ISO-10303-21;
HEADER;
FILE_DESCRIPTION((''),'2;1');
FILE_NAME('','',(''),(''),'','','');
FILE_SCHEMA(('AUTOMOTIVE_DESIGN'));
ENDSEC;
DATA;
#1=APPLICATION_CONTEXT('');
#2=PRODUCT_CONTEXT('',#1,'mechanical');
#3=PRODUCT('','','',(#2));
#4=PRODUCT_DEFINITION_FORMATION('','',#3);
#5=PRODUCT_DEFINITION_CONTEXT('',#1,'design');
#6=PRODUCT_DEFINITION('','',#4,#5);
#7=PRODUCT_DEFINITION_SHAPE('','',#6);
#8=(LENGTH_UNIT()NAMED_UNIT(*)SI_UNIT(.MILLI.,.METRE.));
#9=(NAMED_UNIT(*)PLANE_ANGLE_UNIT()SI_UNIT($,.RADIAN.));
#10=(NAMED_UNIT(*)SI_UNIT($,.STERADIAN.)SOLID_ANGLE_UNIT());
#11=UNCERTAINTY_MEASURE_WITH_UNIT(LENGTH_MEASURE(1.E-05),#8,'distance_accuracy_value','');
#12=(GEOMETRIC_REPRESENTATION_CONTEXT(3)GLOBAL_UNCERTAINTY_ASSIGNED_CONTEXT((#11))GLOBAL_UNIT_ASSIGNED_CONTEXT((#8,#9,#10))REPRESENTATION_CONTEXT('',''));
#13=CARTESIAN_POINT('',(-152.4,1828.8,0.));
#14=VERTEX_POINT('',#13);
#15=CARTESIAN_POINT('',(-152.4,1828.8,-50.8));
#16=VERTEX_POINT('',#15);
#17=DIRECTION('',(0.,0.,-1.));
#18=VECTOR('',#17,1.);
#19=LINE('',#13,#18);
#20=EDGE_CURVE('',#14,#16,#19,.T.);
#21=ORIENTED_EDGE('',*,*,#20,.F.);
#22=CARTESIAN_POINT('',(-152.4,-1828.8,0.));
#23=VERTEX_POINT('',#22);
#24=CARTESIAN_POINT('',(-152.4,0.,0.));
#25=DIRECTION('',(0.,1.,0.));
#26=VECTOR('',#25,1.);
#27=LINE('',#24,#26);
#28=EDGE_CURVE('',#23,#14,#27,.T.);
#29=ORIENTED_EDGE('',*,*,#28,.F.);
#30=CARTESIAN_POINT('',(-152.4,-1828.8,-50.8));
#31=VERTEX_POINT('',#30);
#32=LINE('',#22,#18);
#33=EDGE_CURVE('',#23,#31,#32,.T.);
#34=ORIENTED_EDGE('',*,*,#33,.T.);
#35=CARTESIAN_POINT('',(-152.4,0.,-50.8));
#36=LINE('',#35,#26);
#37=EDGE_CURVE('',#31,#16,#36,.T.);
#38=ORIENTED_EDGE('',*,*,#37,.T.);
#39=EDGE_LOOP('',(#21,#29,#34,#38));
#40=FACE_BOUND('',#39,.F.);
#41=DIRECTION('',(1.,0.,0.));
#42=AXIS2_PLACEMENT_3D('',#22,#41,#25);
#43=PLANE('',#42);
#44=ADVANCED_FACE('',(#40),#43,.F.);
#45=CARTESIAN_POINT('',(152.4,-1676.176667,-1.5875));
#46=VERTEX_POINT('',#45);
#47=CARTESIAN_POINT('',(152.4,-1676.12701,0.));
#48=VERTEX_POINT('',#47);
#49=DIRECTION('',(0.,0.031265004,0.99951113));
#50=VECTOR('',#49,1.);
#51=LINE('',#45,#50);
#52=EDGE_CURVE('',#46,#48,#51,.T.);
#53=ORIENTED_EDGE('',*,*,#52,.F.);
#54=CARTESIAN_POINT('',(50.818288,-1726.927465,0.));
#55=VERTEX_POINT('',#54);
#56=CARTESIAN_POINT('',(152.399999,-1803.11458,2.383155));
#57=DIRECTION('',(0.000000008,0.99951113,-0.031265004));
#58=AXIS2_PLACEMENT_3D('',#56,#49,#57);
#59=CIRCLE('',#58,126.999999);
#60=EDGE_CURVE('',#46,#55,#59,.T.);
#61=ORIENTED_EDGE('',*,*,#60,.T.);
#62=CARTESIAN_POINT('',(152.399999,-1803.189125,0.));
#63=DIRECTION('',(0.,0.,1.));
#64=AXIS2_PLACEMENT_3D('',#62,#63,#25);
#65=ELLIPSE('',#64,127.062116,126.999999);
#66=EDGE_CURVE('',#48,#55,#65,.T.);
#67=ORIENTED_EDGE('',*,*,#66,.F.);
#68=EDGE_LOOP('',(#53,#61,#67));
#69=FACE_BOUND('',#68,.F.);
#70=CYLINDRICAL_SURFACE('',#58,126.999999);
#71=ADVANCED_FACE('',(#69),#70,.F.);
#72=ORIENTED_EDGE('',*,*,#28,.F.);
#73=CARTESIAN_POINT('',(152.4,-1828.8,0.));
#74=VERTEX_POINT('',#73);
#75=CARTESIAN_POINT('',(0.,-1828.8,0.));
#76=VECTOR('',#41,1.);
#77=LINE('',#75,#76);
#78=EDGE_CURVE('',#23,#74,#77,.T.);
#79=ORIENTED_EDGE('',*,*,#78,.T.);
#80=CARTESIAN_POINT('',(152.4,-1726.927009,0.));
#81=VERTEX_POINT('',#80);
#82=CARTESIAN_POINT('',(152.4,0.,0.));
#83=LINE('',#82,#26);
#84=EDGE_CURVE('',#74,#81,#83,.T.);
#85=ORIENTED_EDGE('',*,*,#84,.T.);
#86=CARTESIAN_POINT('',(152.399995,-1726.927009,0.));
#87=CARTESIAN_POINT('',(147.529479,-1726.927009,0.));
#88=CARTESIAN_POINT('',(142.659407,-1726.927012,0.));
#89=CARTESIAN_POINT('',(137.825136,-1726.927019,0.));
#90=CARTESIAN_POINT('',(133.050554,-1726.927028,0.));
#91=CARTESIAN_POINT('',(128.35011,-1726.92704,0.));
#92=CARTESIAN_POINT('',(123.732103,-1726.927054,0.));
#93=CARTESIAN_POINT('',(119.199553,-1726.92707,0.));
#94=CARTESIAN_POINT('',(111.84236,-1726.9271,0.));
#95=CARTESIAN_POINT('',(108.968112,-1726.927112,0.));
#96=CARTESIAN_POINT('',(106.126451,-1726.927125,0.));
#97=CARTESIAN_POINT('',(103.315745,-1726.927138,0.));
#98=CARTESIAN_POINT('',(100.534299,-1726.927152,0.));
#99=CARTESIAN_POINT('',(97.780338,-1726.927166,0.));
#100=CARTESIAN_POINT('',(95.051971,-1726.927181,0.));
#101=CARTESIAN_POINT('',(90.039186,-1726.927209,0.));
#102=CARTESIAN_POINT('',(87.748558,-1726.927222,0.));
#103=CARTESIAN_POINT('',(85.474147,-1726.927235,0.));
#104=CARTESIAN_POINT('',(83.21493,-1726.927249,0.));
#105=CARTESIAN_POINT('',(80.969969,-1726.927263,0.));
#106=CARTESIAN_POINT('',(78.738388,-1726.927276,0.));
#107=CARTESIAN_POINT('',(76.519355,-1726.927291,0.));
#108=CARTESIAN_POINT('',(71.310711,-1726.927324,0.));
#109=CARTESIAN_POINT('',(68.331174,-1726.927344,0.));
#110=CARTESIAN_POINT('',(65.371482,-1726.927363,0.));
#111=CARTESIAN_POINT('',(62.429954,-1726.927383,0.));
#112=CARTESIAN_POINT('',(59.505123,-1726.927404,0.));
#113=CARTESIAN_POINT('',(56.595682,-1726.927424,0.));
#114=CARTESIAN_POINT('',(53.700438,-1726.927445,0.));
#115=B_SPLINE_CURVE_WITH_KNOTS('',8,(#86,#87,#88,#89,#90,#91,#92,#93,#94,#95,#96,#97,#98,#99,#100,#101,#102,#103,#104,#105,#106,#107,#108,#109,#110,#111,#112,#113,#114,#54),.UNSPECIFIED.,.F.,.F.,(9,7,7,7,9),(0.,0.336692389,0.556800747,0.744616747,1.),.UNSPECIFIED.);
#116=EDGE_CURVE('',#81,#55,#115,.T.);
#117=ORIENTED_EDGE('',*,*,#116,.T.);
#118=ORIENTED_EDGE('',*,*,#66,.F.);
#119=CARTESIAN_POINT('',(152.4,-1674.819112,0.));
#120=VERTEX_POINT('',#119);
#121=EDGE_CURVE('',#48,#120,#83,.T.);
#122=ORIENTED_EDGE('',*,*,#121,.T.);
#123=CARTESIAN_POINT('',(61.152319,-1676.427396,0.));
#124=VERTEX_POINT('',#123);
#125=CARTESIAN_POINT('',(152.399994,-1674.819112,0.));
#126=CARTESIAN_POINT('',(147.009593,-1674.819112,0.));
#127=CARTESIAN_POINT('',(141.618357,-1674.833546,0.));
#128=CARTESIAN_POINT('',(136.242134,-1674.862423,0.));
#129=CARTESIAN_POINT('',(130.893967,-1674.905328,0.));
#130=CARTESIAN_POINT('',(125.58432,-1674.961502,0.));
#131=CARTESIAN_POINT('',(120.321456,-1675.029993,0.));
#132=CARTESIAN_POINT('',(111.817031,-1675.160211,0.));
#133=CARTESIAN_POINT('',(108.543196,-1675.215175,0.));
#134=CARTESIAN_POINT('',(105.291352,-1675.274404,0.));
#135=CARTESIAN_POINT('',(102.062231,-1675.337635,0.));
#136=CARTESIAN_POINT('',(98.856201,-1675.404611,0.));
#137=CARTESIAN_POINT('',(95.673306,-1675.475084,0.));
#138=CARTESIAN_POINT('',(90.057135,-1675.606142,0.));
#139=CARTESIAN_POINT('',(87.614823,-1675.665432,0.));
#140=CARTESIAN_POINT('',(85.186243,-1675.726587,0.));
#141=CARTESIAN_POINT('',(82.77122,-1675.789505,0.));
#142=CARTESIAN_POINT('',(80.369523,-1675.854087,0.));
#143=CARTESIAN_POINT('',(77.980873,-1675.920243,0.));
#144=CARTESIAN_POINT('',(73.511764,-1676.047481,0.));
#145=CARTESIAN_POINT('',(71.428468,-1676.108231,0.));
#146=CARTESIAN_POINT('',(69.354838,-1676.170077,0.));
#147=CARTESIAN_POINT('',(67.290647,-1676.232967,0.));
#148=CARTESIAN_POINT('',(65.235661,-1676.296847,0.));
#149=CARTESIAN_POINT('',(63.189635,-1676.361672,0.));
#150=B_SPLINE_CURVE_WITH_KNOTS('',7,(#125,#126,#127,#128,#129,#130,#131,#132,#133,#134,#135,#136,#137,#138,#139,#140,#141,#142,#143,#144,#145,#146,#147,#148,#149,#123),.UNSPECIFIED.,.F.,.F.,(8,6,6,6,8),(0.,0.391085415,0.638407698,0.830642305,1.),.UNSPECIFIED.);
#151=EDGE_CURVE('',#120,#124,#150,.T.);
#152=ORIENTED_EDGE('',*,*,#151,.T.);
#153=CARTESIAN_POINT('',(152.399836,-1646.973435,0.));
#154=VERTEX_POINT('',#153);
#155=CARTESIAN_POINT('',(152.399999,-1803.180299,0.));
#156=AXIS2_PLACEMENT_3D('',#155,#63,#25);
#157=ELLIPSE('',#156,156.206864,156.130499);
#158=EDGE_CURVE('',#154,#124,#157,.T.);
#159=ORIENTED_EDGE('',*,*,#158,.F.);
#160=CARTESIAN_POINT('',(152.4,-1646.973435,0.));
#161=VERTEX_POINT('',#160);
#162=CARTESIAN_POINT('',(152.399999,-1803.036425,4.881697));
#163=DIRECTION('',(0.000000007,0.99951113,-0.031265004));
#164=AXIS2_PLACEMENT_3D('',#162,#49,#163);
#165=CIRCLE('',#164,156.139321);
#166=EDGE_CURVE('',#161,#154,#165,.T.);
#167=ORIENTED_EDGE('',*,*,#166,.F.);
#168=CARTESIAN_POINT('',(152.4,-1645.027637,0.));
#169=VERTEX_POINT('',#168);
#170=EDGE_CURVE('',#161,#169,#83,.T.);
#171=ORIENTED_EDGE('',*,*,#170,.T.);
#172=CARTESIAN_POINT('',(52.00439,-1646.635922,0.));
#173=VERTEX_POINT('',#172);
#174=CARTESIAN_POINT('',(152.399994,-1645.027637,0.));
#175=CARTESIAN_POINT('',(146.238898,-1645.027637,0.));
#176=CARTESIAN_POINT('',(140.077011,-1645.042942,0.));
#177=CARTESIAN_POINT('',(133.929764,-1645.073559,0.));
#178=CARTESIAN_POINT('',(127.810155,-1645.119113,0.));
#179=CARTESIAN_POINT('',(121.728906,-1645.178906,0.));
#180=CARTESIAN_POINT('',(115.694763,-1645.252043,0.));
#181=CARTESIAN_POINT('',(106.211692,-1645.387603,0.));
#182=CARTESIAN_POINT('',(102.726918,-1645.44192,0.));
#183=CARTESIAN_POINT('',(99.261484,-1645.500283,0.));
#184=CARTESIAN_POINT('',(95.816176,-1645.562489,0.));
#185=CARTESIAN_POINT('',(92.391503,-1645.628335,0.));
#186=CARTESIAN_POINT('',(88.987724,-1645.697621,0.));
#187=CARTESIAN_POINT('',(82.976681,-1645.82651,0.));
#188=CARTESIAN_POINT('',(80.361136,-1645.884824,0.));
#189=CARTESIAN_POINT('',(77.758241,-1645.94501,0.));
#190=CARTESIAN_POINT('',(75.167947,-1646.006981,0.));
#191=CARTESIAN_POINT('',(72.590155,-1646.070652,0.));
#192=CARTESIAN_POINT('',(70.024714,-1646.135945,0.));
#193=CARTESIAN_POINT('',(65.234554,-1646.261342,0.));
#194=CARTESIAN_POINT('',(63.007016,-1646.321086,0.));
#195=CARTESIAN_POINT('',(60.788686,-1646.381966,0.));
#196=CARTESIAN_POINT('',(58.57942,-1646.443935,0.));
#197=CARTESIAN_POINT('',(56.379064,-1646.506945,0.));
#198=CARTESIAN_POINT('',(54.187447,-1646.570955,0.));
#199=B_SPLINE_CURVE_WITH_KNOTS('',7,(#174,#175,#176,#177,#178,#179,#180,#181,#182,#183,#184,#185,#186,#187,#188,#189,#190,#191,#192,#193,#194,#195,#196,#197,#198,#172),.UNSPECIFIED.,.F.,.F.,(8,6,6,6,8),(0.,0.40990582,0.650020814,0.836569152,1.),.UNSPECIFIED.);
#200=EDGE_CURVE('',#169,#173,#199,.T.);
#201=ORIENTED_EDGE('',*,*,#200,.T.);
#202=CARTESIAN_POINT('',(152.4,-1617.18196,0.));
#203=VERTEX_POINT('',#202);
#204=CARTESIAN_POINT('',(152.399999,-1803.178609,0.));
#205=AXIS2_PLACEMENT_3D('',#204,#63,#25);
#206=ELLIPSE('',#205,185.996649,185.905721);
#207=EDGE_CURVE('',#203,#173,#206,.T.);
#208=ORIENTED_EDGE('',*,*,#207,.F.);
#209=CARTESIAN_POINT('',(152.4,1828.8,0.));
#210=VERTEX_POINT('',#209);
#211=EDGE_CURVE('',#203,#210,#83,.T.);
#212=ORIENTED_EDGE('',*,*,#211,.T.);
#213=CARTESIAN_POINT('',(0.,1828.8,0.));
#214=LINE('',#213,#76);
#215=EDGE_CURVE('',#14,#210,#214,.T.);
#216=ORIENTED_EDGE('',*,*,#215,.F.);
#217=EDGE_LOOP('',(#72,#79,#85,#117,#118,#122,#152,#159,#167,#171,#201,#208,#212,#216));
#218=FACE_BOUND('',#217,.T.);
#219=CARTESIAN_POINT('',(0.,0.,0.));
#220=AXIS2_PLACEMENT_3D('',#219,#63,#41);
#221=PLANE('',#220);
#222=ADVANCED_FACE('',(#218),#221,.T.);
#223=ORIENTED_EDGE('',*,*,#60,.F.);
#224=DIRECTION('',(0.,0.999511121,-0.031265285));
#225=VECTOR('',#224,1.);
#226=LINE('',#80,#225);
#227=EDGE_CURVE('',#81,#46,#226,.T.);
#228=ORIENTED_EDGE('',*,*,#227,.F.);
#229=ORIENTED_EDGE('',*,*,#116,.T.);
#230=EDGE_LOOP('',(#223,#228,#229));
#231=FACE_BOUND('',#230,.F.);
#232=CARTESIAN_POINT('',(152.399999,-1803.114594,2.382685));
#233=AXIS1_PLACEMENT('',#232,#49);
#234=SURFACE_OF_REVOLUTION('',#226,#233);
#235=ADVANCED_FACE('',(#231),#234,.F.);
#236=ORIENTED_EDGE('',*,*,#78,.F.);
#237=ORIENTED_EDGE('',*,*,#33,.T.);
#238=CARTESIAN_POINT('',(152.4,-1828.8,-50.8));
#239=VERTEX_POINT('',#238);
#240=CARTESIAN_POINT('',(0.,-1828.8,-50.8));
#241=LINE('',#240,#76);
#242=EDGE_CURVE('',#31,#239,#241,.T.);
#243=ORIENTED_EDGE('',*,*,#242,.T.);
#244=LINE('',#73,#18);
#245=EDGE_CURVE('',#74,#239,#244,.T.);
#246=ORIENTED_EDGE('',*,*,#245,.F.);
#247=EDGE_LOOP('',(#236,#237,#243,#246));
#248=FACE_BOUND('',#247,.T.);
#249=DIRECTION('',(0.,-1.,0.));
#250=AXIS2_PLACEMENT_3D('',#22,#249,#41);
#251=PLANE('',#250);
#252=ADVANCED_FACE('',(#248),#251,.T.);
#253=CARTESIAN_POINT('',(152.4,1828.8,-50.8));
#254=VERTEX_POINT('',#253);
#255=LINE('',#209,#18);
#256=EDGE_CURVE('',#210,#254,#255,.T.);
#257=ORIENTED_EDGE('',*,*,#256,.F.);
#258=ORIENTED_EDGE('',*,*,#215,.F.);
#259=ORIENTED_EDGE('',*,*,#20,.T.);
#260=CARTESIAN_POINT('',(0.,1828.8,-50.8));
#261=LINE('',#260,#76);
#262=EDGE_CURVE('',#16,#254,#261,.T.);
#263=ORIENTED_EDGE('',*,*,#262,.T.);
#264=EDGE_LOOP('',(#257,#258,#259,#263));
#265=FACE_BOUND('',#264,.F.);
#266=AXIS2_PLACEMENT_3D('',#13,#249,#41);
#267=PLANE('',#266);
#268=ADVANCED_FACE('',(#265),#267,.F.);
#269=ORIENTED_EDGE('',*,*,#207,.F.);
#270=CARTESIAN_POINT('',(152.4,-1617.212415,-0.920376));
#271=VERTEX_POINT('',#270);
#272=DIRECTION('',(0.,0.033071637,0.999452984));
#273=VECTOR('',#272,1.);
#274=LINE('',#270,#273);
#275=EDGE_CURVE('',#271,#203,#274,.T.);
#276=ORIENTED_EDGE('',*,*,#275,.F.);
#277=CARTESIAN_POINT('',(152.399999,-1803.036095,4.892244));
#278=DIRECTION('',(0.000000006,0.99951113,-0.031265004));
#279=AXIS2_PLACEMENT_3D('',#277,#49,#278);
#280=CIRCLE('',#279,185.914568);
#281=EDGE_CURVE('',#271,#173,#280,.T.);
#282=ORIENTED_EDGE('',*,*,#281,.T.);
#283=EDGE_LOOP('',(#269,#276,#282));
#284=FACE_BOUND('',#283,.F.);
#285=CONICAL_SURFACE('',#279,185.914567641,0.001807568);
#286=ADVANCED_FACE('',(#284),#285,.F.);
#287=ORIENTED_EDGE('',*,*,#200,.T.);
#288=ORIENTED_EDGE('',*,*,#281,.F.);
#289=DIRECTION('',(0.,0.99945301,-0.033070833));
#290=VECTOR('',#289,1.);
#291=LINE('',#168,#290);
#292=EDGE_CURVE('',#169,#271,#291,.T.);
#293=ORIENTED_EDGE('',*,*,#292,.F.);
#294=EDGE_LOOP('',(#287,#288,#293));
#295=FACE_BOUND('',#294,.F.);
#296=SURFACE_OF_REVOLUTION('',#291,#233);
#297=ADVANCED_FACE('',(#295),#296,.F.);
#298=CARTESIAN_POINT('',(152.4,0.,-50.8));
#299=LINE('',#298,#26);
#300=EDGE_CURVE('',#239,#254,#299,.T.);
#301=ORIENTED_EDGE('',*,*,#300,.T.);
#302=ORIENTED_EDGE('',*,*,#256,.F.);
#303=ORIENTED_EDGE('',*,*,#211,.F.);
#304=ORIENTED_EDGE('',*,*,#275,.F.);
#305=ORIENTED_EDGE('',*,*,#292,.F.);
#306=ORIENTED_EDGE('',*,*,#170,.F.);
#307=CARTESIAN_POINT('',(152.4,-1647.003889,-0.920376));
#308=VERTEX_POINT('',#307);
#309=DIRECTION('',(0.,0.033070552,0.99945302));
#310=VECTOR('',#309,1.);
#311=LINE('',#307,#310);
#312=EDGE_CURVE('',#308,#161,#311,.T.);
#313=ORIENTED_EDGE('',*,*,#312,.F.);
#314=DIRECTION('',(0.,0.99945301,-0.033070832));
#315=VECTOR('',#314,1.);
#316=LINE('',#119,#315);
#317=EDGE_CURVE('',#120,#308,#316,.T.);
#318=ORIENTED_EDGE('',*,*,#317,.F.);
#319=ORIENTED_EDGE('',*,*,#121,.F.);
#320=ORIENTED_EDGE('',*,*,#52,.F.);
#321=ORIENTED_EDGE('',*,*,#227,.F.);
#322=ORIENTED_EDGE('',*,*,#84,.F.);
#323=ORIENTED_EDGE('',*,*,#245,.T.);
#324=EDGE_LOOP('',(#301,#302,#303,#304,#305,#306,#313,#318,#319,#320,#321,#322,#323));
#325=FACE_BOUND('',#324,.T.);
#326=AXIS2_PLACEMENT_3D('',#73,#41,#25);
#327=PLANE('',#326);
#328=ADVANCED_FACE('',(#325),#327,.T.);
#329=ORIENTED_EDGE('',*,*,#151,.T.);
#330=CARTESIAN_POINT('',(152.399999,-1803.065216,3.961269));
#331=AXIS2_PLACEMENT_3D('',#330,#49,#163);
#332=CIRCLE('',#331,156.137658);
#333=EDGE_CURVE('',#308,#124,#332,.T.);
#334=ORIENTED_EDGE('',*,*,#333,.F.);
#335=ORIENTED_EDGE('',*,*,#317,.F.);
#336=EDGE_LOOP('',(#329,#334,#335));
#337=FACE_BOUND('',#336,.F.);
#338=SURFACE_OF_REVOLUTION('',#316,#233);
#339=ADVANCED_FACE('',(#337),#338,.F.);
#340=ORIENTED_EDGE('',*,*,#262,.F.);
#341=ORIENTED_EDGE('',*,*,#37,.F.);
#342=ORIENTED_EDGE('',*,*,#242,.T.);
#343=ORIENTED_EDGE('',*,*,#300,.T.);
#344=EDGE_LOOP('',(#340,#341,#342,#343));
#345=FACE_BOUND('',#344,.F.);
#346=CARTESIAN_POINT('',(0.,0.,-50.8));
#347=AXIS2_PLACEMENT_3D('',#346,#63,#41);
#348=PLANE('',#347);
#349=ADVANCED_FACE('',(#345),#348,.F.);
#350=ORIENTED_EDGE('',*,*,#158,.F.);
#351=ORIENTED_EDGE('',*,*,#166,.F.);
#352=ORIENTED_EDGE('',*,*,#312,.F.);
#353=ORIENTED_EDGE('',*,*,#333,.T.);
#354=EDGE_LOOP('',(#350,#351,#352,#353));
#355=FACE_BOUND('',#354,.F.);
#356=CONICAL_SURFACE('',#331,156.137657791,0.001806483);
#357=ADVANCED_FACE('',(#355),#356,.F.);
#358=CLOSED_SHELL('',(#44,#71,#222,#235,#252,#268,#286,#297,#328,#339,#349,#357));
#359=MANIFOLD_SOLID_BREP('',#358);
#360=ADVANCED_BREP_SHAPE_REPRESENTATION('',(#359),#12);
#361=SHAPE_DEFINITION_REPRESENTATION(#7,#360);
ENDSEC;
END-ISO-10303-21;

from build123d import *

# Parameters (mm, degrees)
F0_W     = 304.8
F0_H     = 3657.6
F1_DEPTH = 50.8


with BuildPart() as f1:
    # F0 (on Top) → F1 (new body)
    with BuildSketch(Plane.XY):
        Rectangle(F0_W, F0_H)
    extrude(amount=-F1_DEPTH)

    # F5: sweep along a path in F4
    with BuildLine(Plane(origin=(0, -1.688102, -53.966469), x_dir=(1, 0, 0), z_dir=(0, 0.031265, 0.999511))) as f5_path:
        ThreePointArc((152.4, -1675.307587), (85.685016, -1694.242278), (38.86338, -1745.400329))
    # F2 (on face) → F5 (sweep, cut)
    with BuildSketch(Plane.YZ.offset(152.4)):
        Polygon((-1676.127009, 0), (-1726.927009, 0), (-1676.176667, -1.5875), align=None)
        Polygon((-1646.973435, 0), (-1674.819112, 0), (-1647.003889, -0.920376), align=None)
        Polygon((-1617.18196, 0), (-1645.027637, 0), (-1617.212415, -0.920376), align=None)
    sweep(path=f5_path.line, mode=Mode.SUBTRACT)


solid = f1.part
